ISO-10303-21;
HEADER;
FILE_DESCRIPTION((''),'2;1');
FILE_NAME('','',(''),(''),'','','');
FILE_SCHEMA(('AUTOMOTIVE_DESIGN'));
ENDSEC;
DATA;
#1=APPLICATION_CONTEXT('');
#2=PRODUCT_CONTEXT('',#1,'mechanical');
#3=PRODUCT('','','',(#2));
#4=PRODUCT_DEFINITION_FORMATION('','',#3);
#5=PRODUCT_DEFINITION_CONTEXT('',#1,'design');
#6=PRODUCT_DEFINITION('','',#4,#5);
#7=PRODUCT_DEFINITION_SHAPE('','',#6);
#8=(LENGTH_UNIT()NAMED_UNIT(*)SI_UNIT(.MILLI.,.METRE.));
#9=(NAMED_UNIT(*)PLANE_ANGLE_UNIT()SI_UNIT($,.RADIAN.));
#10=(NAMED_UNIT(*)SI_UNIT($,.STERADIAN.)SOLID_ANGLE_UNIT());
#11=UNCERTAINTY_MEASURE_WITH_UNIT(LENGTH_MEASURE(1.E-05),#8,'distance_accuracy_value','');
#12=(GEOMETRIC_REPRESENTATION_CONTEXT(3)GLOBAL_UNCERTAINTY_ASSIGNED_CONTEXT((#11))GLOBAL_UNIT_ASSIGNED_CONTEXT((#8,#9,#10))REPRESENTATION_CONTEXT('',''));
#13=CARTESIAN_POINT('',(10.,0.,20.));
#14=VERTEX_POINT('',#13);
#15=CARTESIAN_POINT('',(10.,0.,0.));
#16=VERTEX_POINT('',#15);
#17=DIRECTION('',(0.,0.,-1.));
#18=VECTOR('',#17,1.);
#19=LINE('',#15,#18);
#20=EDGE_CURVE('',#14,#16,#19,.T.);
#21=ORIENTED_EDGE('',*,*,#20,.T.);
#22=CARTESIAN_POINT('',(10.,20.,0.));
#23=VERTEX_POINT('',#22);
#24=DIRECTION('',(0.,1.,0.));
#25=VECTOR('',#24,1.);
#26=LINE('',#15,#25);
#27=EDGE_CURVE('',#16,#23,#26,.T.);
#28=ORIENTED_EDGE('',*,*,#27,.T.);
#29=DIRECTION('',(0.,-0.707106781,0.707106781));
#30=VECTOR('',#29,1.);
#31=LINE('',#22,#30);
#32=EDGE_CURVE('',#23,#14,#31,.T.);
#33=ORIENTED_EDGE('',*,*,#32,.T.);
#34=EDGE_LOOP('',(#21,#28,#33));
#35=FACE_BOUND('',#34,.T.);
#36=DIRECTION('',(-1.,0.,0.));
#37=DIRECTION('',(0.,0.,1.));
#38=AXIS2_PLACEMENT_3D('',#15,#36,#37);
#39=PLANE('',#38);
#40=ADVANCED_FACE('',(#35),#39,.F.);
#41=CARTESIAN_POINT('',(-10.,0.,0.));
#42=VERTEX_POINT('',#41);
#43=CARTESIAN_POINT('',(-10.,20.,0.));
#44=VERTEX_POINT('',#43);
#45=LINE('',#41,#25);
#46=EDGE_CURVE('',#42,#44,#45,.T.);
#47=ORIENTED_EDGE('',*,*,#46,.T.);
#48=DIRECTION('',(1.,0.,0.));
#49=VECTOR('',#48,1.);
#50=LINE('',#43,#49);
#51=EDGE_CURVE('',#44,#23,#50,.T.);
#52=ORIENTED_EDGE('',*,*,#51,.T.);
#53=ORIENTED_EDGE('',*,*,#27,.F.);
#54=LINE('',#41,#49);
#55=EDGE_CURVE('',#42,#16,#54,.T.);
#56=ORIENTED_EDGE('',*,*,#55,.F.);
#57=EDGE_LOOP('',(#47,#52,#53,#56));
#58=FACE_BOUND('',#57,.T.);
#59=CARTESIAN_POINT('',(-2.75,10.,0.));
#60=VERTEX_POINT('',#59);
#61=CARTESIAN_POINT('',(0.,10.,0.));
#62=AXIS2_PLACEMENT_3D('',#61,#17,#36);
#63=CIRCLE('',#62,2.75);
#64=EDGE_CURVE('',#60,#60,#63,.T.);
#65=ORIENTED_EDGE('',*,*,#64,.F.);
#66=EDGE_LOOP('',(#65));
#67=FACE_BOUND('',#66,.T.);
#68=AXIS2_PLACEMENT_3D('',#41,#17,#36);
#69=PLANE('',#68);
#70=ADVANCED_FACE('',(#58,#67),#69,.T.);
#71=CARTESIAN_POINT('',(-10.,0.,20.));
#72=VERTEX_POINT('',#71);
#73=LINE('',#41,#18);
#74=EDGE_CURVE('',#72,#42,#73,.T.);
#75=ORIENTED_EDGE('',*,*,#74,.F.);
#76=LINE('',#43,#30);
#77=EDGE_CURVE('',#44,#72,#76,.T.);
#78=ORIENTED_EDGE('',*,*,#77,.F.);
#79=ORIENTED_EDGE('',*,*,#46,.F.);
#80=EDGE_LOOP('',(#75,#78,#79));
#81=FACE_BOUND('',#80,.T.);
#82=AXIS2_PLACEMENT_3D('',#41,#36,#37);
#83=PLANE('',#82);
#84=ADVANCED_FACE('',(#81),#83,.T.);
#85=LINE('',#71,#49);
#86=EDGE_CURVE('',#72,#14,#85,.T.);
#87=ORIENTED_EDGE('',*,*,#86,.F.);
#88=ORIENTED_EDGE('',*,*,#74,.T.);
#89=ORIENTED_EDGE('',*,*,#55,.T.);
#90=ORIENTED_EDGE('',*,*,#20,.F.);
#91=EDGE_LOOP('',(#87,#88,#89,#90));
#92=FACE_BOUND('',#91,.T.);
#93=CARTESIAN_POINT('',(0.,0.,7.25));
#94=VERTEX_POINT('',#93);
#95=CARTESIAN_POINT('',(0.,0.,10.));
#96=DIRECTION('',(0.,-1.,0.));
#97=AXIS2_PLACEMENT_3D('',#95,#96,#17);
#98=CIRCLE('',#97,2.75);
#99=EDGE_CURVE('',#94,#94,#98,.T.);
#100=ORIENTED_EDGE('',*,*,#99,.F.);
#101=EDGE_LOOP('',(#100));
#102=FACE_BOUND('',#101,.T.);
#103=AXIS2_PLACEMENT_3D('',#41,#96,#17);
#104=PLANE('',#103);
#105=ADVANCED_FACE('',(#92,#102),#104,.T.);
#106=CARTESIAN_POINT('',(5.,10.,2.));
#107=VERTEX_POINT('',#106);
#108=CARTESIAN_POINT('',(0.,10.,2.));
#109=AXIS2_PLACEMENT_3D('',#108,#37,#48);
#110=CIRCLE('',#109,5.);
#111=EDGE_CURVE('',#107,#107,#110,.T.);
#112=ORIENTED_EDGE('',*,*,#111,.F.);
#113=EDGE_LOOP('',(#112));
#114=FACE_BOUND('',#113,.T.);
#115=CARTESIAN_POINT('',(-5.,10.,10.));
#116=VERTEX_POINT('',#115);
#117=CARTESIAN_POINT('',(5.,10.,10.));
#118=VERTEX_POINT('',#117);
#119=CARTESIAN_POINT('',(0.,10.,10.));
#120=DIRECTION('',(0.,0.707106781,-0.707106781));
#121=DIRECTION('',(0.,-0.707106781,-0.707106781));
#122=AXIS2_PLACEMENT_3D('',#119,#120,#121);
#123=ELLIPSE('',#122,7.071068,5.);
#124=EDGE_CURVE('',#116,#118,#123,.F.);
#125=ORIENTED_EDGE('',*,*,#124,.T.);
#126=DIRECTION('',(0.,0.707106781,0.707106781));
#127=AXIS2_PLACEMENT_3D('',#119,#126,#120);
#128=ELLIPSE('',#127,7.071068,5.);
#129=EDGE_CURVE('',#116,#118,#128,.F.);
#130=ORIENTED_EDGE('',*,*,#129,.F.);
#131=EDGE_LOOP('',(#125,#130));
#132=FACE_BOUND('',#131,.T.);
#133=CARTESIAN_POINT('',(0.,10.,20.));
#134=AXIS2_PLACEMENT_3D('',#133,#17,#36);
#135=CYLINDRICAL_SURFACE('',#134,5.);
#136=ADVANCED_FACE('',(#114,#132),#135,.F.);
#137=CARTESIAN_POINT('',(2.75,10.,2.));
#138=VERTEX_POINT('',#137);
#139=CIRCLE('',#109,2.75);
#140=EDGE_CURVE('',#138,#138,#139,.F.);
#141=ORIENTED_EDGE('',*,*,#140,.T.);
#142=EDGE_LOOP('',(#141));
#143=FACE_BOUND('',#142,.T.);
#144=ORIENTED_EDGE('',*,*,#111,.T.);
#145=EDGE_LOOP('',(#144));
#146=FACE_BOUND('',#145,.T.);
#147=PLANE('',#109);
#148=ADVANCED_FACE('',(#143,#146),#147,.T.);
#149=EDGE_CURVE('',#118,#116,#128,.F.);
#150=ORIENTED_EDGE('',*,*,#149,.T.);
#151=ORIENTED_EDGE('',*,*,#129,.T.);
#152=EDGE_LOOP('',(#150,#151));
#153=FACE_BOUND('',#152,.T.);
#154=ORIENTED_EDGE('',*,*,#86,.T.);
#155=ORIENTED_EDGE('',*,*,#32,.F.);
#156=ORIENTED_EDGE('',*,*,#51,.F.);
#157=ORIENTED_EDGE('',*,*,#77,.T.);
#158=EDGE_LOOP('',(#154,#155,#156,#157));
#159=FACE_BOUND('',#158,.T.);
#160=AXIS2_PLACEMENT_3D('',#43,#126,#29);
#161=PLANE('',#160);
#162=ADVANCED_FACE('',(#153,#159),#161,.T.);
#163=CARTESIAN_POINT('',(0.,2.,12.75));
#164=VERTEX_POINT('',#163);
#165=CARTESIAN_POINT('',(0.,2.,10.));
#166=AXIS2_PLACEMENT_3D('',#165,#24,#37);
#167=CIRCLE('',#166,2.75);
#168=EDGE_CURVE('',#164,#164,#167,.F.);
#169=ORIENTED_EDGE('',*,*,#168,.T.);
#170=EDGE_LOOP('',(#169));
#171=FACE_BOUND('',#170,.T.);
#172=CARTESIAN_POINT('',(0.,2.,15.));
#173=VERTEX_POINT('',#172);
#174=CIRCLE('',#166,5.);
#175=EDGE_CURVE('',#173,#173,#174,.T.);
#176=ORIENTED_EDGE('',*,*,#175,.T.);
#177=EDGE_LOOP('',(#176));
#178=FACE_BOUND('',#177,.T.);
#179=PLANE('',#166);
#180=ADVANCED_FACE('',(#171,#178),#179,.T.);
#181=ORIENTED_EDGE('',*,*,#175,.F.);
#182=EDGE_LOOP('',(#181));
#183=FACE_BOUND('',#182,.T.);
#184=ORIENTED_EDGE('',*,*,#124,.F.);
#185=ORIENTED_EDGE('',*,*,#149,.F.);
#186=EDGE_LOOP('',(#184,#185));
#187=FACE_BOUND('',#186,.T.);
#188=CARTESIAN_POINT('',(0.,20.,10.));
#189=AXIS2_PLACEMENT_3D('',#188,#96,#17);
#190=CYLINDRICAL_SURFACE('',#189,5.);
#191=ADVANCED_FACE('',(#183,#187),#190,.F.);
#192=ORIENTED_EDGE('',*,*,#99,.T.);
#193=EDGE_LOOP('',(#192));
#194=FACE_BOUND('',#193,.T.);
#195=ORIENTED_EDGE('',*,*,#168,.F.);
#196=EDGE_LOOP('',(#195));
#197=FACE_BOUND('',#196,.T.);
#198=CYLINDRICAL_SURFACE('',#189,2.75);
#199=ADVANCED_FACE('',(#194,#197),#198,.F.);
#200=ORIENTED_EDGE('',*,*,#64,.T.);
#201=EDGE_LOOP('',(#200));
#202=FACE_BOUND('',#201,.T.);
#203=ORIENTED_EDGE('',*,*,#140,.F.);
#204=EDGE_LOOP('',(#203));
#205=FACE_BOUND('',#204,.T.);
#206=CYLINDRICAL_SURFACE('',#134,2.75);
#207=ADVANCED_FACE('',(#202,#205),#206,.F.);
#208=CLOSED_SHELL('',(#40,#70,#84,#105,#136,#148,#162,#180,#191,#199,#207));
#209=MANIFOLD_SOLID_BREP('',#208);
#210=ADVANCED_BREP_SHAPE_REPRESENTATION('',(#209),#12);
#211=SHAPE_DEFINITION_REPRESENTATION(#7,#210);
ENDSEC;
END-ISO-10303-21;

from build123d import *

# Parameters (mm, degrees)
CORNER_BASE_DEPTH      = 10
CORNER_BASE_DEPTH_BACK = 10
SKETCH2_R              = 2.75
SCREW_SHAFT_1_DEPTH    = 31
SKETCH3_R              = 2.75
SCREW_SHAFT_2_DEPTH    = 31
SKETCH4_R              = 5
SCREW_SOCKET_1_DEPTH   = 29.705400189
SKETCH5_R              = 5
CUT_EXTRUDE4_DEPTH     = 29.705400189


with BuildPart() as part:
    # Sketch1 → corner base (new, two sides: drawn at the far end of the back side and taken through both)
    with BuildSketch(Plane(origin=(0, 0, 0), x_dir=(0, 0, -1), z_dir=(1, 0, 0)).offset(-CORNER_BASE_DEPTH_BACK)):
        Polygon((0, 0), (0, 20), (-20, 0), align=None)
    extrude(amount=CORNER_BASE_DEPTH + CORNER_BASE_DEPTH_BACK)

    # Sketch2 → screw shaft 1 (cut, through all)
    with BuildSketch(Plane.XZ):
        with Locations((0, 10)):
            Circle(SKETCH2_R)
    extrude(amount=-SCREW_SHAFT_1_DEPTH, mode=Mode.SUBTRACT)

    # Sketch3 → screw shaft 2 (cut, through all)
    with BuildSketch(Plane(origin=(0, 0, 0), x_dir=(-1, 0, 0), z_dir=(0, 0, -1))):
        with Locations((0, 10)):
            Circle(SKETCH3_R)
    extrude(amount=-SCREW_SHAFT_2_DEPTH, mode=Mode.SUBTRACT)

    # Sketch4 → screw socket 1 (cut, through all)
    with BuildSketch(Plane.XY.offset(2)):
        with Locations((0, 10)):
            Circle(SKETCH4_R)
    extrude(amount=SCREW_SOCKET_1_DEPTH, mode=Mode.SUBTRACT)

    # Sketch5 → Cut-Extrude4 (cut, through all)
    with BuildSketch(Plane(origin=(0, 2, 0), x_dir=(1, 0, 0), z_dir=(0, 1, 0))):
        with Locations((0, -10)):
            Circle(SKETCH5_R)
    extrude(amount=CUT_EXTRUDE4_DEPTH, mode=Mode.SUBTRACT)


solid = part.part
